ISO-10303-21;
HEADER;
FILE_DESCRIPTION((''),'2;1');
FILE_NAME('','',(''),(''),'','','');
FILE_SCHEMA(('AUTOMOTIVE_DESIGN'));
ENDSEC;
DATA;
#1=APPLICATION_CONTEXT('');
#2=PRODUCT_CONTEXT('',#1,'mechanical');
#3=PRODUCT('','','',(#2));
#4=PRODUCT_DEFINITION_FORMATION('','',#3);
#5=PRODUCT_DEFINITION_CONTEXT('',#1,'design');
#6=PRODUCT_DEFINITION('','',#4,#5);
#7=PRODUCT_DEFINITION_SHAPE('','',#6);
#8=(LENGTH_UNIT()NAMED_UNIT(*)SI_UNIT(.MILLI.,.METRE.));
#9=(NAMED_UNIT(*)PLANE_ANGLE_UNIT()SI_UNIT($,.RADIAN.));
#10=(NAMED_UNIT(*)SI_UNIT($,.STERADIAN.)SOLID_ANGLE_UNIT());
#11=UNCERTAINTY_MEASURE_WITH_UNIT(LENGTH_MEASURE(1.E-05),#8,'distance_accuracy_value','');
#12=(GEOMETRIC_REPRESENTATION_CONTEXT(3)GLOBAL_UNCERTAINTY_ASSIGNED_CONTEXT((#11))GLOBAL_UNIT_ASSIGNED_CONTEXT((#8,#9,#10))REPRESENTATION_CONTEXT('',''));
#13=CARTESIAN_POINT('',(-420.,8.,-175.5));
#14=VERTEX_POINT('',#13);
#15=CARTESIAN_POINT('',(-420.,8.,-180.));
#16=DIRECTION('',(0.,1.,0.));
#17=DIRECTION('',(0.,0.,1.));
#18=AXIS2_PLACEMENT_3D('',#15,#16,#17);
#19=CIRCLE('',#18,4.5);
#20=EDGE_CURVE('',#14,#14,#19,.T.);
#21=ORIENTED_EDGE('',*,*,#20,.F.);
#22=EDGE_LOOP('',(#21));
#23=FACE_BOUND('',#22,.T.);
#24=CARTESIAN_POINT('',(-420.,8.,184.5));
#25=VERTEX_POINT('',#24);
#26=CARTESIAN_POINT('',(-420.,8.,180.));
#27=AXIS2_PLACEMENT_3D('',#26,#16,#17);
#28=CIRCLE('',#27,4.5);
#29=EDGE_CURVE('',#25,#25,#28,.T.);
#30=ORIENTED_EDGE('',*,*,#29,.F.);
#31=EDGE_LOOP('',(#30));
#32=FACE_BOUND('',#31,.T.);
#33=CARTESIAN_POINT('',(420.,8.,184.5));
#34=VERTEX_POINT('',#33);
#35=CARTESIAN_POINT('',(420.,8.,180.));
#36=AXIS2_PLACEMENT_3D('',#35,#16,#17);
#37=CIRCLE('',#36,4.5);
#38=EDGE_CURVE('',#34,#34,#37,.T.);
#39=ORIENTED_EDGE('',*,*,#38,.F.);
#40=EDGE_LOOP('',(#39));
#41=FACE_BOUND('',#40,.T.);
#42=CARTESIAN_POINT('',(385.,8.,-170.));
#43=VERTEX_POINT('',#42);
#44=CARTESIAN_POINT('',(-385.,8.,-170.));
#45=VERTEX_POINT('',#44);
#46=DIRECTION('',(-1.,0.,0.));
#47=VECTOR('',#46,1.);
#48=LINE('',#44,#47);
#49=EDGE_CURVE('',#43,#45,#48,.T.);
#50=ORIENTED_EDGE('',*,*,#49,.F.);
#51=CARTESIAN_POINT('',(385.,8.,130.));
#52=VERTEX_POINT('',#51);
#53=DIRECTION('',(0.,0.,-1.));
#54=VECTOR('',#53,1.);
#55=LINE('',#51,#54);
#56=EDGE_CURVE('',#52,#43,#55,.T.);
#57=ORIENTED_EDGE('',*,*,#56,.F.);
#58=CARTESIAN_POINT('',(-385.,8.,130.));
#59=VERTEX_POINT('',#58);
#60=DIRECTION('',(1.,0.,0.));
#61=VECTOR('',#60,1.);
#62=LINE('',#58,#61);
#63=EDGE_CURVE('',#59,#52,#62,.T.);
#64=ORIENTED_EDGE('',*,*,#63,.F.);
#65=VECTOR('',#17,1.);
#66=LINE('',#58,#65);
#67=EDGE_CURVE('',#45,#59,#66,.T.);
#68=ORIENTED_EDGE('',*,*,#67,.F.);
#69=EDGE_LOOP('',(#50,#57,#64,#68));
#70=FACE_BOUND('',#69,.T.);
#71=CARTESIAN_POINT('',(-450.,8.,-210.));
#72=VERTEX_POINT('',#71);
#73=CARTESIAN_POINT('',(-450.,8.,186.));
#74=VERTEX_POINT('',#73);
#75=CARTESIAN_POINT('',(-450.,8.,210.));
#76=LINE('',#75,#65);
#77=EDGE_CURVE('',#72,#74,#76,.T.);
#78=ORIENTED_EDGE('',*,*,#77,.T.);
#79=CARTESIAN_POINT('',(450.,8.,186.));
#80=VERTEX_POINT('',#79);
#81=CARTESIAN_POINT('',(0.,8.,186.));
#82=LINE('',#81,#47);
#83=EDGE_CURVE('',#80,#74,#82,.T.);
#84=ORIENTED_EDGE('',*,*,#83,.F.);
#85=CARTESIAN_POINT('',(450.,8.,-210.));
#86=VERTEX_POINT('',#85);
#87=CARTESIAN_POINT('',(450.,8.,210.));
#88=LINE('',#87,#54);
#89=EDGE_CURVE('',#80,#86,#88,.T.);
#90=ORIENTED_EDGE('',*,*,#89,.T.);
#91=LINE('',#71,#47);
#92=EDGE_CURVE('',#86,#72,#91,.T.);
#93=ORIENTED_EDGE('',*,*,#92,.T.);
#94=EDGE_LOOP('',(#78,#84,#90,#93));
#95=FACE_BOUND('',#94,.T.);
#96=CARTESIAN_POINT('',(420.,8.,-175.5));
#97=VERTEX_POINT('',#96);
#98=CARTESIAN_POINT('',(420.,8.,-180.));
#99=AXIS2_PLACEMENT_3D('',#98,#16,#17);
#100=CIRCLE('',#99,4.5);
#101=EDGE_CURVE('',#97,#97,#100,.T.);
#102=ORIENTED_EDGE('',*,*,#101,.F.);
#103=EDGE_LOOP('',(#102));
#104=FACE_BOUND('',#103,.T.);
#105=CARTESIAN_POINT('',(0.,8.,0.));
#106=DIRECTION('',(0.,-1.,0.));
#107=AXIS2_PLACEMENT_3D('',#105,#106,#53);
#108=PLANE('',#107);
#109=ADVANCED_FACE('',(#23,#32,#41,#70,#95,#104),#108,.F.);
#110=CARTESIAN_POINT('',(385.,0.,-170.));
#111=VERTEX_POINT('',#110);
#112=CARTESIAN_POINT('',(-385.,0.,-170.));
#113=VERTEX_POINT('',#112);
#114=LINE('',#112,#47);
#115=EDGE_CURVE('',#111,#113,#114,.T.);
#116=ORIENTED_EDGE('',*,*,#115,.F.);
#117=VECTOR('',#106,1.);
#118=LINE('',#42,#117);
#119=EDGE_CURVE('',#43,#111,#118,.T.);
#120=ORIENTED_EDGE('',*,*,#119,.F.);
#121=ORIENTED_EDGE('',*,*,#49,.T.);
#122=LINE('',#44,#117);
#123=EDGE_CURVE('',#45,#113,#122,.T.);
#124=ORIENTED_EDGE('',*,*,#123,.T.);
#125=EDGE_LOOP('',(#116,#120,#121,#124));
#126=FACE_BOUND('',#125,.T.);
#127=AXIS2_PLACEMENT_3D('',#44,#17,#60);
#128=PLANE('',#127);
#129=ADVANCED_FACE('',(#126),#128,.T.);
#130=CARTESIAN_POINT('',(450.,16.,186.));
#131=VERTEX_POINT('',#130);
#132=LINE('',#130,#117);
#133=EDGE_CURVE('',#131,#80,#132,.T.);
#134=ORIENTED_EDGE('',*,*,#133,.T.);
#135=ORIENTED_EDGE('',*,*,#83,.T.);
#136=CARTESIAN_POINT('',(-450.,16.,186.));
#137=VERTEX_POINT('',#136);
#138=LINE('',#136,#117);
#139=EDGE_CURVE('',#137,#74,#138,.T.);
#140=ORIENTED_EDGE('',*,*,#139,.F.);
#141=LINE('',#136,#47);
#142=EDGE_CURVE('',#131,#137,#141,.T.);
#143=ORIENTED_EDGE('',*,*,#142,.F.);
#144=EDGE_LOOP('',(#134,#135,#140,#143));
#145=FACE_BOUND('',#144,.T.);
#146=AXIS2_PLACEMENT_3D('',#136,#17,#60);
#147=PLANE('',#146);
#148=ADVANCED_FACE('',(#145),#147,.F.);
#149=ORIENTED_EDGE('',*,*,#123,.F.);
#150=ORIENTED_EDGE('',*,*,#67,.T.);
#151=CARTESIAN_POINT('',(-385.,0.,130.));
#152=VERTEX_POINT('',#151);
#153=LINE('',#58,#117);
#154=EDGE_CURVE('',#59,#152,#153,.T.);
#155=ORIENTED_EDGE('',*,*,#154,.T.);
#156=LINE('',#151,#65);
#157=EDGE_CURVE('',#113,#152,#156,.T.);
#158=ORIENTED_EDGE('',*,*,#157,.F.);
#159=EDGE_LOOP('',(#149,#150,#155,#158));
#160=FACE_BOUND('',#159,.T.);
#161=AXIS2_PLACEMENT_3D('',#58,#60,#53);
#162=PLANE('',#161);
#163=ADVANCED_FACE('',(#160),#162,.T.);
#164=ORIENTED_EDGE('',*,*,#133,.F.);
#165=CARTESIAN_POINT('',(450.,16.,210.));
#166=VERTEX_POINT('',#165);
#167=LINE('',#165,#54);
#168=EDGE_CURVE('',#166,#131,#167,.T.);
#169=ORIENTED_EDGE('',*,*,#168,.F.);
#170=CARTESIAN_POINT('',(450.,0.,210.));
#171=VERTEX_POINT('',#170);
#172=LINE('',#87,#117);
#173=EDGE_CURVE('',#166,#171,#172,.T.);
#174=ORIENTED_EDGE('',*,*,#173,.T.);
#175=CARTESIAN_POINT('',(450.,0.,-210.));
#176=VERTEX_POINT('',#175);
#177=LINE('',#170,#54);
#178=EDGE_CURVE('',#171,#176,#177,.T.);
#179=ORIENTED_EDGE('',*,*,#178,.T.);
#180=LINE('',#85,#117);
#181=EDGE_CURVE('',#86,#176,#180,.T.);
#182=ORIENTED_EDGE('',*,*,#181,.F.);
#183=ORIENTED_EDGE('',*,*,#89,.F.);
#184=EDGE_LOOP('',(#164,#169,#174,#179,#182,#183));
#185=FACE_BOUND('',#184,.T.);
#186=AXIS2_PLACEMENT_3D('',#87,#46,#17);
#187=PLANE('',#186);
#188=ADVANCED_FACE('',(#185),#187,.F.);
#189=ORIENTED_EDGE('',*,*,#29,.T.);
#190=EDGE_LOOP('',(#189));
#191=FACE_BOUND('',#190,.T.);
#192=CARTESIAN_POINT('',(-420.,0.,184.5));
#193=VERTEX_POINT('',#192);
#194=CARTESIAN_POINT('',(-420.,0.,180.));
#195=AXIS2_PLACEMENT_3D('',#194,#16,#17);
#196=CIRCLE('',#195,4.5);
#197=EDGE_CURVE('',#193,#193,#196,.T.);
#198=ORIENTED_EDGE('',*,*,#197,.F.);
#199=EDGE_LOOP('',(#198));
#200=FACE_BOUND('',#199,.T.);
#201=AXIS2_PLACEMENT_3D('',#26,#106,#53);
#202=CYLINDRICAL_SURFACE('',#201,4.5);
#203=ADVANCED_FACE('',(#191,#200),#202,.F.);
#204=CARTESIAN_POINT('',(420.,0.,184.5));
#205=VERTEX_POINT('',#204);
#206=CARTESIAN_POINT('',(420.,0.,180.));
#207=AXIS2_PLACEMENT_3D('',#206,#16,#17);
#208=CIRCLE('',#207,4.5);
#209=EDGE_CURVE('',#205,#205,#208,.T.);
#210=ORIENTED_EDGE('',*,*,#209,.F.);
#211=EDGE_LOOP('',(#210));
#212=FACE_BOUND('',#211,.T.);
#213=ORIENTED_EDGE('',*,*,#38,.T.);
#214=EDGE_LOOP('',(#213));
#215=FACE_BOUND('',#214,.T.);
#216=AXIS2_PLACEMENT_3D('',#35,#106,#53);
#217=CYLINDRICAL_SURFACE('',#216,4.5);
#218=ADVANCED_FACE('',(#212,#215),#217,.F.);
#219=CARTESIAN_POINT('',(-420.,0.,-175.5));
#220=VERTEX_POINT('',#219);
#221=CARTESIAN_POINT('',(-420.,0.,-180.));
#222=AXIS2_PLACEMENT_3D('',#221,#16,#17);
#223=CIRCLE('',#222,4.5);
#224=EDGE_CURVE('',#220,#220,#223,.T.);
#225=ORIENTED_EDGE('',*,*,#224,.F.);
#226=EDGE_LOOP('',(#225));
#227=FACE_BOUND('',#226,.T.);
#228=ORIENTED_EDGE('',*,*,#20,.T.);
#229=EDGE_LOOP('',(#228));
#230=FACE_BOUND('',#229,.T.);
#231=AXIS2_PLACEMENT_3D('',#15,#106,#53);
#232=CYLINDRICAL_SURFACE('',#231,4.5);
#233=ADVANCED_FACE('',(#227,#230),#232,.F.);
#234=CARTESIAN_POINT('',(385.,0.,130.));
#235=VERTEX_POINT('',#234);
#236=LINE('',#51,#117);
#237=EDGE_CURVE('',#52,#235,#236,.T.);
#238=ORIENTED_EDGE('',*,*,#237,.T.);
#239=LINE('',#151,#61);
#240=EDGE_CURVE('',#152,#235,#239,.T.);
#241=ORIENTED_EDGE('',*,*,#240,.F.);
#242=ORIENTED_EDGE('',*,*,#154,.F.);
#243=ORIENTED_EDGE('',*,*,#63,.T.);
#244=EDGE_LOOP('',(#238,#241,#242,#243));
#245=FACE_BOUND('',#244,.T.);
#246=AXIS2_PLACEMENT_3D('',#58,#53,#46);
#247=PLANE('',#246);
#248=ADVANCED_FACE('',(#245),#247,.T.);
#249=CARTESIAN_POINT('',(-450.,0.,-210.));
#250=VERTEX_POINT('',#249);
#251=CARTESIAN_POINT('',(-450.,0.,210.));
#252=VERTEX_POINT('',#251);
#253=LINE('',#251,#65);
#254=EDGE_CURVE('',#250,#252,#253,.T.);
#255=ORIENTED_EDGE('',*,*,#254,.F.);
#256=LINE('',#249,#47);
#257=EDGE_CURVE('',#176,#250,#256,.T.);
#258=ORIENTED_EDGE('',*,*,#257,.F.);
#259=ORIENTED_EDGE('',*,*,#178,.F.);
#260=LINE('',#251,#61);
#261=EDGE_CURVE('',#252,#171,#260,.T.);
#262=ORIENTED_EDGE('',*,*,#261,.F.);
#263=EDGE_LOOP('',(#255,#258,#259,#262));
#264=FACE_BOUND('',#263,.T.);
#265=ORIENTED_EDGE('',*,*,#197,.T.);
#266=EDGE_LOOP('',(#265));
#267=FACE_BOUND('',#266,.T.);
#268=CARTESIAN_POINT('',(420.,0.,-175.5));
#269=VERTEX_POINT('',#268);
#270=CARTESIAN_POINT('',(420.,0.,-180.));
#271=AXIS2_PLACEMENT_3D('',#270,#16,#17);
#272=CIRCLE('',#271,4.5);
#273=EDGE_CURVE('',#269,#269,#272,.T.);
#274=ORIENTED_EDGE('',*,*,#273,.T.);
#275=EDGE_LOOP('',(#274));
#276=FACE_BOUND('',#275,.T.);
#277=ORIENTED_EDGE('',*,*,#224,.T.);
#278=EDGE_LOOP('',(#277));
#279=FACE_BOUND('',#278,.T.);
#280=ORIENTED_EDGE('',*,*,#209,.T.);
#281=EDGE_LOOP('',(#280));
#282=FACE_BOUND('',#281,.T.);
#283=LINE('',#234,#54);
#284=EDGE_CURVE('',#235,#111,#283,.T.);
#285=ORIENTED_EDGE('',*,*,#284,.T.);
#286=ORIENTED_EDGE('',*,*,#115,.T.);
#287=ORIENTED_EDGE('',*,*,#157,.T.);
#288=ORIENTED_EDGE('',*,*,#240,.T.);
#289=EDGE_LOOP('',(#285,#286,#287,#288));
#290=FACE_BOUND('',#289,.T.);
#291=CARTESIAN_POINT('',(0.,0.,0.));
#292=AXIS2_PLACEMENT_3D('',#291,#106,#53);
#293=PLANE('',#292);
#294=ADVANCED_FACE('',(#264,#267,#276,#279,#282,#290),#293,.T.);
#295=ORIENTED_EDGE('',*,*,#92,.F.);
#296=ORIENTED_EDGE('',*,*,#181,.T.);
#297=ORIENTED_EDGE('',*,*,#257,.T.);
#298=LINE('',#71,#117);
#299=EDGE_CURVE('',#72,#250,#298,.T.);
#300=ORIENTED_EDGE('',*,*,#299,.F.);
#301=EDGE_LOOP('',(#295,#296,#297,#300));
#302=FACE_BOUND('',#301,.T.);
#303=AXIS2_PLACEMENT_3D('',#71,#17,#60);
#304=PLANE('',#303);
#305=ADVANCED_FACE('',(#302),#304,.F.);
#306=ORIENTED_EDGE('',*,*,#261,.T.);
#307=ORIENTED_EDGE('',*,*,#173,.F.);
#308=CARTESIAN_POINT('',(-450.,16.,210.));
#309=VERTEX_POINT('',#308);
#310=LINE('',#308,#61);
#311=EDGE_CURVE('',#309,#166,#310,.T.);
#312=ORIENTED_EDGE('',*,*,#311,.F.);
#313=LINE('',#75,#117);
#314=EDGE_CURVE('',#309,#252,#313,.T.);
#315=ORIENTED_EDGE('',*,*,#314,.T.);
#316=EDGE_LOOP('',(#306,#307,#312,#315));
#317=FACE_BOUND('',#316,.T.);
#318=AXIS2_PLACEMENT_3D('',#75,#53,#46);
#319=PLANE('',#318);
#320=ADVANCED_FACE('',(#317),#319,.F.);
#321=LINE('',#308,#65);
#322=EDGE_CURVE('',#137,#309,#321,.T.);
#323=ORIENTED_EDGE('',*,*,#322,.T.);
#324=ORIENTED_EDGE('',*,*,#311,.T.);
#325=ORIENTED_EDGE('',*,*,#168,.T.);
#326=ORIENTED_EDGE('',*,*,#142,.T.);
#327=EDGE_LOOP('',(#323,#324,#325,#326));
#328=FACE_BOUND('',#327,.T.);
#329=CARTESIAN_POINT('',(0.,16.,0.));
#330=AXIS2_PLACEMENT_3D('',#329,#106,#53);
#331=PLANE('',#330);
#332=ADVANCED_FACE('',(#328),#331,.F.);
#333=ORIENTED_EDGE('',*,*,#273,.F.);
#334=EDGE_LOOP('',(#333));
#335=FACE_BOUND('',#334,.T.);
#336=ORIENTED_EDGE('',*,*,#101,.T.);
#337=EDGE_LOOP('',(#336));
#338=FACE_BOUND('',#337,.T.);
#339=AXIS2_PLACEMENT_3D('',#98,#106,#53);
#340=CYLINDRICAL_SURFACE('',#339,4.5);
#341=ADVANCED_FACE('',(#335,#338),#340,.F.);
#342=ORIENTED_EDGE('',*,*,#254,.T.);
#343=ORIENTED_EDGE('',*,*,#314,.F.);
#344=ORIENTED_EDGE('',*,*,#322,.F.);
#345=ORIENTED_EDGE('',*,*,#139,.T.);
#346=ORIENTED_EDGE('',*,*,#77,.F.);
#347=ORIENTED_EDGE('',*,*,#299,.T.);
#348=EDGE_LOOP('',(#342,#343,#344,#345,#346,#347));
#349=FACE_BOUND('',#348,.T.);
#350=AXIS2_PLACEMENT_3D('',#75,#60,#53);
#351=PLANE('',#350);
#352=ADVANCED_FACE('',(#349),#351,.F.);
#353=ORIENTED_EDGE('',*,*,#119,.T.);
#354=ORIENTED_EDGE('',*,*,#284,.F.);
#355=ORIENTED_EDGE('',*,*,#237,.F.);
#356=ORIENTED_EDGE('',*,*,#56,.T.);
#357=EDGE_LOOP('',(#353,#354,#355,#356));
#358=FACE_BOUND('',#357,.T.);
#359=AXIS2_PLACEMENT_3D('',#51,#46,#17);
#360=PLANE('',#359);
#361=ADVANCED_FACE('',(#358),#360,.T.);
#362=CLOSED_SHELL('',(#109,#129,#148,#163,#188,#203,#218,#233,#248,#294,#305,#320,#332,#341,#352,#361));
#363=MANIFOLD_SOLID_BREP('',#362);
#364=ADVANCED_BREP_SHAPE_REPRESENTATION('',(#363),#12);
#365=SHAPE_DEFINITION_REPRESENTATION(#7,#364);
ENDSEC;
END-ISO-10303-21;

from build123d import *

# Parameters (mm, degrees)
F_01_GUARD_OUTLINE_W      = 900
F_01_GUARD_OUTLINE_H      = 420
F_01_GUARD_OUTLINE_R      = 4.5
F_01_GUARD_OUTLINE_W_2    = 770
F_01_GUARD_OUTLINE_H_2    = 300
F_01_GUARD_PANEL_DEPTH    = 8
F_02_FRAME_RAIL_PROFILE_W = 900
F_02_FRAME_RAIL_PROFILE_H = 24
F_02_FRAME_RAIL_DEPTH     = 16


with BuildPart() as part:
    # 01_Guard_Outline → 01_Guard_Panel (new body)
    with BuildSketch(Plane(origin=(0, 0, 0), x_dir=(1, 0, 0), z_dir=(0, 1, 0))):
        Rectangle(F_01_GUARD_OUTLINE_W, F_01_GUARD_OUTLINE_H)
        with Locations(Location((-420, -180, 0), (0, 0, 270))):
            Circle(F_01_GUARD_OUTLINE_R, mode=Mode.SUBTRACT)
        with Locations(Location((420, -180, 0), (0, 0, 270))):
            Circle(F_01_GUARD_OUTLINE_R, mode=Mode.SUBTRACT)
        with Locations(Location((-420, 180, 0), (0, 0, 270))):
            Circle(F_01_GUARD_OUTLINE_R, mode=Mode.SUBTRACT)
        with Locations(Location((420, 180, 0), (0, 0, 270))):
            Circle(F_01_GUARD_OUTLINE_R, mode=Mode.SUBTRACT)
        with Locations((0, 20)):
            Rectangle(F_01_GUARD_OUTLINE_W_2, F_01_GUARD_OUTLINE_H_2, mode=Mode.SUBTRACT)
    extrude(amount=F_01_GUARD_PANEL_DEPTH)

    # 02_Frame_Rail_Profile → 02_Frame_Rail (add)
    with BuildSketch(Plane(origin=(0, 0, 0), x_dir=(1, 0, 0), z_dir=(0, 1, 0))):
        with Locations((0, -198)):
            Rectangle(F_02_FRAME_RAIL_PROFILE_W, F_02_FRAME_RAIL_PROFILE_H)
    extrude(amount=F_02_FRAME_RAIL_DEPTH)


solid = part.part
